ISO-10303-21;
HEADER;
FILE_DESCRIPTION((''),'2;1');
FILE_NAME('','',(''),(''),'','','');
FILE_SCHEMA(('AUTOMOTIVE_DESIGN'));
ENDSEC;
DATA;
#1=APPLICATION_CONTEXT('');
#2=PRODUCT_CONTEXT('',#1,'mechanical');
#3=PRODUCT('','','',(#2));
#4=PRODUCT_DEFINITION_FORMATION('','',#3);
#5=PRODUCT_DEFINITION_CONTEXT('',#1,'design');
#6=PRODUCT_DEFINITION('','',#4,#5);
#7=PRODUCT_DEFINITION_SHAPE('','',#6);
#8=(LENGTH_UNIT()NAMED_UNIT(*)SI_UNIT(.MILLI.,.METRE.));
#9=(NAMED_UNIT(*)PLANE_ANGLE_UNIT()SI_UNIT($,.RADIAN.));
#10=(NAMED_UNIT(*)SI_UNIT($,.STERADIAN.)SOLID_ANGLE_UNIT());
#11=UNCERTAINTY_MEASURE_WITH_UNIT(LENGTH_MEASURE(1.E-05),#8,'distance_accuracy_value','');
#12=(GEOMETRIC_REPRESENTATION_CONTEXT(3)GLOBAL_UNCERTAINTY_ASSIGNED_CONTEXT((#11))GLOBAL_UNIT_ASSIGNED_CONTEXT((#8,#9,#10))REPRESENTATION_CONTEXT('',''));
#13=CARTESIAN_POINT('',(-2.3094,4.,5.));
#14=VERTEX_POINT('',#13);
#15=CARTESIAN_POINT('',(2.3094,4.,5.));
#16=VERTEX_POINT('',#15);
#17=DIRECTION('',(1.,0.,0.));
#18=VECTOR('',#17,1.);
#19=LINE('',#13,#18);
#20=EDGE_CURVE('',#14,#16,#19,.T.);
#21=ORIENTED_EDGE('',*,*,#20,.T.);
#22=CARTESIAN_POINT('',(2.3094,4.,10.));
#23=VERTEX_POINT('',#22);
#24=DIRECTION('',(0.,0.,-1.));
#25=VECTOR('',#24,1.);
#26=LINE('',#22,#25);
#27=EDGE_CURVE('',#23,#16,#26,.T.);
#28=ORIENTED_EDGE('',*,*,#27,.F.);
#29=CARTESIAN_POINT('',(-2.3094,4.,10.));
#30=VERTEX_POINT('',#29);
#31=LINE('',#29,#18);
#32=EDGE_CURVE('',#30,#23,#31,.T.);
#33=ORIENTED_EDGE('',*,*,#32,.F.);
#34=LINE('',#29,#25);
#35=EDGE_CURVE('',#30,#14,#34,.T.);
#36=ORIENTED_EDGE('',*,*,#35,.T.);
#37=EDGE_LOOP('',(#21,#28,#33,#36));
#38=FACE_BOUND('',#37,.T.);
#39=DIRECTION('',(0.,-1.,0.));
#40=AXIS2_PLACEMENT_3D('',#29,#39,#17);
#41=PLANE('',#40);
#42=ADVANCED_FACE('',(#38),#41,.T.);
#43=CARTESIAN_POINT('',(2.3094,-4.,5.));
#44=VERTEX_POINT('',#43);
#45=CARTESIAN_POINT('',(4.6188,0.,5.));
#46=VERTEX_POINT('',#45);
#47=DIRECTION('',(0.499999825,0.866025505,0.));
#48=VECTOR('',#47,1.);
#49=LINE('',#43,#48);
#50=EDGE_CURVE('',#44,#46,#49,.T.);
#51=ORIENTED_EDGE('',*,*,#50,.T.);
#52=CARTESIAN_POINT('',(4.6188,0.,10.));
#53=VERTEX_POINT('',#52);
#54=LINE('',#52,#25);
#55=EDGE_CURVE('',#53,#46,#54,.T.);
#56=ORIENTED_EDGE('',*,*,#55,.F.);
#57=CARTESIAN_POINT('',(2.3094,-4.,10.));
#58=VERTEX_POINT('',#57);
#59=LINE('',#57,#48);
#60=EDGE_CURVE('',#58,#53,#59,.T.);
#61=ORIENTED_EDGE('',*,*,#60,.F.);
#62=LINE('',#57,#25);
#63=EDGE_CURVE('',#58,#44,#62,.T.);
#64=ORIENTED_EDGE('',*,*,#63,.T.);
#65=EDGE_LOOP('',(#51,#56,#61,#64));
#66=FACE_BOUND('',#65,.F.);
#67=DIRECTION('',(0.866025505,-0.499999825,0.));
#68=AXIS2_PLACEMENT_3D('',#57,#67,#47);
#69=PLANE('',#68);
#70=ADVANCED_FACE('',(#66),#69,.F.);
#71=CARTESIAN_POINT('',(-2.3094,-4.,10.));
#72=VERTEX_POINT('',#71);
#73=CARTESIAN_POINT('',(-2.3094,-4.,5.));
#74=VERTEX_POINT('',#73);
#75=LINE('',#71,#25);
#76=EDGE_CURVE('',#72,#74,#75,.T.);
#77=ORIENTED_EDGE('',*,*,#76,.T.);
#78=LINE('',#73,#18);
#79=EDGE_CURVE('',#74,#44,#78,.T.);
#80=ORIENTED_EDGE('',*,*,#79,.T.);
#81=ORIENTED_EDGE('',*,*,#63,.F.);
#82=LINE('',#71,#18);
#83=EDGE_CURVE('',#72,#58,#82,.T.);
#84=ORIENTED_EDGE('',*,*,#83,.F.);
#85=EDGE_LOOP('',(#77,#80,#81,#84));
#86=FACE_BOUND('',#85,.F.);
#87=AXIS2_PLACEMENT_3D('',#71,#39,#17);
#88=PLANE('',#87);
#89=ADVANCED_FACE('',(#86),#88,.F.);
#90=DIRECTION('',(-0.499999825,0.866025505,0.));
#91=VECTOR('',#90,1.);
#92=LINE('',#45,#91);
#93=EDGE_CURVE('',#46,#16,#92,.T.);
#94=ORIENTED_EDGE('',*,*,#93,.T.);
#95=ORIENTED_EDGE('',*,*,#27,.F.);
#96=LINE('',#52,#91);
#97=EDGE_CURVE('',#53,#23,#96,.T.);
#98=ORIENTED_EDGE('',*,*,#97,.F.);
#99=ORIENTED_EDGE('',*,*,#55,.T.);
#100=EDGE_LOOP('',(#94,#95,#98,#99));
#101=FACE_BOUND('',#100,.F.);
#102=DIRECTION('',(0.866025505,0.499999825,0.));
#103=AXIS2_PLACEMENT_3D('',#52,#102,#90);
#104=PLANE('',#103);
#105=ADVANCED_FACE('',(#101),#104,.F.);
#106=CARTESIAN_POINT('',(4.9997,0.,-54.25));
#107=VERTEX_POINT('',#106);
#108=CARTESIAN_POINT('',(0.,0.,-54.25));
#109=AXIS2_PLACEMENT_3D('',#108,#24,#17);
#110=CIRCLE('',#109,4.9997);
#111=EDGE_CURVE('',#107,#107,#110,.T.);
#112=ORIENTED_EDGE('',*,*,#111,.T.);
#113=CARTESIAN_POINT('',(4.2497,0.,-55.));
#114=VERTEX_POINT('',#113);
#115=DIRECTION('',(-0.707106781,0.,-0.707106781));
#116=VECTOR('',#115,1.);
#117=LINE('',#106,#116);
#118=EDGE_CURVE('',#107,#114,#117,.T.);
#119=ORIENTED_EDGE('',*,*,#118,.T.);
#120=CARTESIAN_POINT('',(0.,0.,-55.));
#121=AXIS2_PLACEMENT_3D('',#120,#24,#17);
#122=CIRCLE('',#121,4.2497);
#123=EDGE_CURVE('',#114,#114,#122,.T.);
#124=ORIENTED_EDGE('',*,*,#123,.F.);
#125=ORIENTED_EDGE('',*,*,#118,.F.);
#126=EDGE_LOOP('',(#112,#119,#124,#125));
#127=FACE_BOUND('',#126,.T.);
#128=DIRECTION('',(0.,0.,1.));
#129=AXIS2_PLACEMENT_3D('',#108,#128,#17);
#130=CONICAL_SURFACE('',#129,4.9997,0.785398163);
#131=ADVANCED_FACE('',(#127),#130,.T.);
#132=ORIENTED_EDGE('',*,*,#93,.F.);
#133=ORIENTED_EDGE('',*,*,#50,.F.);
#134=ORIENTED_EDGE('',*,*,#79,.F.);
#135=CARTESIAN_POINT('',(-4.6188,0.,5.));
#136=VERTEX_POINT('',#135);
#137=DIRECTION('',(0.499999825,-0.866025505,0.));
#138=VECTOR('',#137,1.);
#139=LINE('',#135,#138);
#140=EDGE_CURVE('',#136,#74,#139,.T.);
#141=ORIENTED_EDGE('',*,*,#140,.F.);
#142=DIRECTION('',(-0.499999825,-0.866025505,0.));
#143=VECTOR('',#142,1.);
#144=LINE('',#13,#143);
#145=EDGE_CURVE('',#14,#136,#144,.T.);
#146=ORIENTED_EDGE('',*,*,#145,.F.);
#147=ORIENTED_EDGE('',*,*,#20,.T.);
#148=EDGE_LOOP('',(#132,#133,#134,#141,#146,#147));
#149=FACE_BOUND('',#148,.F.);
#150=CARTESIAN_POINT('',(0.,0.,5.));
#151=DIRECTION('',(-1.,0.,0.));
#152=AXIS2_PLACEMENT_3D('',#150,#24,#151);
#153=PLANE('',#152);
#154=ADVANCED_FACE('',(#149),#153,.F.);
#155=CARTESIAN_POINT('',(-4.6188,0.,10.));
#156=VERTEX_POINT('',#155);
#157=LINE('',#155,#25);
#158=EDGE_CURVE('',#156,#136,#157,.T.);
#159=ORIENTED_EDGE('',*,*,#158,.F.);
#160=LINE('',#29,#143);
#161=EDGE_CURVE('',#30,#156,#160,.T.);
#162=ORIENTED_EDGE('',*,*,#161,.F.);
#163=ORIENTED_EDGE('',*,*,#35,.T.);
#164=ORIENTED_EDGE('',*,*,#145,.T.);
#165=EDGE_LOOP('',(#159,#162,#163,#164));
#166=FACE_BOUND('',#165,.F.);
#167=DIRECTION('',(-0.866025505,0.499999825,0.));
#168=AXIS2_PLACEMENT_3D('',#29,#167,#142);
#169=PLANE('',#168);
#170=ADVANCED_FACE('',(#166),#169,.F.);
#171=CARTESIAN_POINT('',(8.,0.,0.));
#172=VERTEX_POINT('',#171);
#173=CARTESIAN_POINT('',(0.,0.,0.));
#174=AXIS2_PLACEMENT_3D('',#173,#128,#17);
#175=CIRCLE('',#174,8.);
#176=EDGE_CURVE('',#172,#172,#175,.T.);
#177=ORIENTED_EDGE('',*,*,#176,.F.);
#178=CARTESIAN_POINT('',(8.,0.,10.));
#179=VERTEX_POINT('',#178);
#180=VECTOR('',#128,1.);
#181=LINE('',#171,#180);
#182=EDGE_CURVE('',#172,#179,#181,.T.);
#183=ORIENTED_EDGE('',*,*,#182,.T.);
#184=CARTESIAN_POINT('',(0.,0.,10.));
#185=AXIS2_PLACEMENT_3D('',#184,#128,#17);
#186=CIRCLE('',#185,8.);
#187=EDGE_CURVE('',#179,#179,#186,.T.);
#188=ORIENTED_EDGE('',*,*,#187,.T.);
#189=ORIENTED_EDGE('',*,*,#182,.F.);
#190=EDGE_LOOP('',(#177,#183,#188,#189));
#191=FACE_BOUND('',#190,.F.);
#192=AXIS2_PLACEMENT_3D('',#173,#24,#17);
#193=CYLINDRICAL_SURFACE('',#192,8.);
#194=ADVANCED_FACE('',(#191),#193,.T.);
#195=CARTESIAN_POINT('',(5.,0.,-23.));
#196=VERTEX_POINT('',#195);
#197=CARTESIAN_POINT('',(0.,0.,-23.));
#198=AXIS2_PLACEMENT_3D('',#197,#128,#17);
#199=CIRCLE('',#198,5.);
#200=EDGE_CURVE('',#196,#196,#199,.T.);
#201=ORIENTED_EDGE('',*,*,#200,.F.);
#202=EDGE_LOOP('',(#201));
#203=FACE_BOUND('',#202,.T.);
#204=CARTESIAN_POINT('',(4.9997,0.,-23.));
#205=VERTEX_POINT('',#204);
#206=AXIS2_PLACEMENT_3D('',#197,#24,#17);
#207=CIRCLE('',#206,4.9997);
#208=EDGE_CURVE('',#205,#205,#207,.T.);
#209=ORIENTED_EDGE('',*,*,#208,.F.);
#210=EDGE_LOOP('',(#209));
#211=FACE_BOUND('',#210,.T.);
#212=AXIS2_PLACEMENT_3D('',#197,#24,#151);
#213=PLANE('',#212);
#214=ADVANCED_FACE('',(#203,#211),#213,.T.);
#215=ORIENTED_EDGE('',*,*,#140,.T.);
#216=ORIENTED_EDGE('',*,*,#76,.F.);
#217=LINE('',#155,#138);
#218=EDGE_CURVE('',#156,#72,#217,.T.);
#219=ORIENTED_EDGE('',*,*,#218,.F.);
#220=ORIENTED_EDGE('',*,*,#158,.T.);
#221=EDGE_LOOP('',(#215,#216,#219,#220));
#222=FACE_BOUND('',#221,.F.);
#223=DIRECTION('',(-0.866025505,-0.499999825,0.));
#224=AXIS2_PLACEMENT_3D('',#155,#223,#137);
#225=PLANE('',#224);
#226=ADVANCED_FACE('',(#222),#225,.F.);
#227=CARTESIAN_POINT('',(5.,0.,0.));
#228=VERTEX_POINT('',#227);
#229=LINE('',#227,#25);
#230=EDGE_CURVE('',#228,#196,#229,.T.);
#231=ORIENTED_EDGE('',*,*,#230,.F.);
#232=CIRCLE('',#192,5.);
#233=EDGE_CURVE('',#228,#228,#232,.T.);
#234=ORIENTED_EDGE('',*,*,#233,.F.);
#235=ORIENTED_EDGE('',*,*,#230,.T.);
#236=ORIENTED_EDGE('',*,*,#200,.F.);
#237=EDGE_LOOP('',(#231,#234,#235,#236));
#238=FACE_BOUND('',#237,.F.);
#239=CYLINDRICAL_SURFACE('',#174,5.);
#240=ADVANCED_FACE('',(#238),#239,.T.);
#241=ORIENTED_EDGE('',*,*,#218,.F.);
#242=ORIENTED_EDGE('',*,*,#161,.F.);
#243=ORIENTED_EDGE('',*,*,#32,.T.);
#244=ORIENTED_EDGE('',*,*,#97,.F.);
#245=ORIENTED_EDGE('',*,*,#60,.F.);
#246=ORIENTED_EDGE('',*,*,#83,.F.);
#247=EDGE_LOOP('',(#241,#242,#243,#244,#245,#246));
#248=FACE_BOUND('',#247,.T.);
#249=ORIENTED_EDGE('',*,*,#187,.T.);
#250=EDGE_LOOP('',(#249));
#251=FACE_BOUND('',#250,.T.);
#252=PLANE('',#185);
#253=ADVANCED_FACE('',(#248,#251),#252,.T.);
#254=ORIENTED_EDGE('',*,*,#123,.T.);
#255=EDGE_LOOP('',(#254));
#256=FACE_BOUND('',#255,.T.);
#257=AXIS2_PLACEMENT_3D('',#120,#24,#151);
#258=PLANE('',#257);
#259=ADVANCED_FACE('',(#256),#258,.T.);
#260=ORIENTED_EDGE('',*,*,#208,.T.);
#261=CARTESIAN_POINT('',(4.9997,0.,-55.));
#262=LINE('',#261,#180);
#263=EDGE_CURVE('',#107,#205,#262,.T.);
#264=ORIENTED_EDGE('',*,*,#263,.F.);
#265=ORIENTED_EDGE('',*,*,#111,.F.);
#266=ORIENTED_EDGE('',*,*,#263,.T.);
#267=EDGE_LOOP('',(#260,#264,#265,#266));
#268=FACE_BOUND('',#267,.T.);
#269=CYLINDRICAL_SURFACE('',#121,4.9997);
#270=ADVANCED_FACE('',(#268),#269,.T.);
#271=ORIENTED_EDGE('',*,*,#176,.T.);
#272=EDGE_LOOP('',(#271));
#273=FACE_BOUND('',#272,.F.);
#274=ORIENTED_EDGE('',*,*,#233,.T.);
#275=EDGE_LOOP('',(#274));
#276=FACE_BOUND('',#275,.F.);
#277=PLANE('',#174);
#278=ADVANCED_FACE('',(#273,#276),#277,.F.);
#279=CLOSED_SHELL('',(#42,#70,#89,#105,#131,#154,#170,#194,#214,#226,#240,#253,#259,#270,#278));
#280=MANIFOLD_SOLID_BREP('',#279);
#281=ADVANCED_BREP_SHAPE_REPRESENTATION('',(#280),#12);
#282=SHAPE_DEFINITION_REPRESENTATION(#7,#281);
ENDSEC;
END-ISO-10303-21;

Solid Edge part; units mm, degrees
sketch "Sketch1" plane through (0, 0, 0) normal (0, 0, 1) x (1, 0, 0)
  circle A0 centre (0, 0) radius 8
  dimension "D1" = 16
extrude "Protrusion1" add sketch "Sketch1" along normal blind 10
sketch "Sketch2" plane through (0, 0, 0) normal (0, 0, -1) x (1, 0, 0)
  circle A0 centre (0, 0) radius 5
extrude "Protrusion2" add sketch "Sketch2" along normal blind 55
sketch "Sketch3" plane through (0, 0, -55) normal (0, 0, -1) x (1, 0, 0)
  circle A0 centre (0, 0) radius 4.9997
extrude "Cutout1" cut sketch "Sketch3" against normal blind 32 flip side to cut
chamfer "Chamfer_1" distance 0.75 angle 45 1 edges at (-4.9997, 0, -55)
sketch "Sketch4" plane through (0, 0, 10) normal (0, 0, 1) x (1, 0, 0)
  line L0 (-2.3094, 4) -> (2.3094, 4)
  line L1 (4.6188, 0) -> (2.3094, 4)
  line L2 (2.3094, -4) -> (4.6188, 0)
  line L3 (-2.3094, -4) -> (2.3094, -4)
  line L4 (-4.6188, 0) -> (-2.3094, -4)
  line L5 (-2.3094, 4) -> (-4.6188, 0)
  dimension "D1" = 8
extrude "Cutout2" cut sketch "Sketch4" against normal blind 5
properties part number "116106"
